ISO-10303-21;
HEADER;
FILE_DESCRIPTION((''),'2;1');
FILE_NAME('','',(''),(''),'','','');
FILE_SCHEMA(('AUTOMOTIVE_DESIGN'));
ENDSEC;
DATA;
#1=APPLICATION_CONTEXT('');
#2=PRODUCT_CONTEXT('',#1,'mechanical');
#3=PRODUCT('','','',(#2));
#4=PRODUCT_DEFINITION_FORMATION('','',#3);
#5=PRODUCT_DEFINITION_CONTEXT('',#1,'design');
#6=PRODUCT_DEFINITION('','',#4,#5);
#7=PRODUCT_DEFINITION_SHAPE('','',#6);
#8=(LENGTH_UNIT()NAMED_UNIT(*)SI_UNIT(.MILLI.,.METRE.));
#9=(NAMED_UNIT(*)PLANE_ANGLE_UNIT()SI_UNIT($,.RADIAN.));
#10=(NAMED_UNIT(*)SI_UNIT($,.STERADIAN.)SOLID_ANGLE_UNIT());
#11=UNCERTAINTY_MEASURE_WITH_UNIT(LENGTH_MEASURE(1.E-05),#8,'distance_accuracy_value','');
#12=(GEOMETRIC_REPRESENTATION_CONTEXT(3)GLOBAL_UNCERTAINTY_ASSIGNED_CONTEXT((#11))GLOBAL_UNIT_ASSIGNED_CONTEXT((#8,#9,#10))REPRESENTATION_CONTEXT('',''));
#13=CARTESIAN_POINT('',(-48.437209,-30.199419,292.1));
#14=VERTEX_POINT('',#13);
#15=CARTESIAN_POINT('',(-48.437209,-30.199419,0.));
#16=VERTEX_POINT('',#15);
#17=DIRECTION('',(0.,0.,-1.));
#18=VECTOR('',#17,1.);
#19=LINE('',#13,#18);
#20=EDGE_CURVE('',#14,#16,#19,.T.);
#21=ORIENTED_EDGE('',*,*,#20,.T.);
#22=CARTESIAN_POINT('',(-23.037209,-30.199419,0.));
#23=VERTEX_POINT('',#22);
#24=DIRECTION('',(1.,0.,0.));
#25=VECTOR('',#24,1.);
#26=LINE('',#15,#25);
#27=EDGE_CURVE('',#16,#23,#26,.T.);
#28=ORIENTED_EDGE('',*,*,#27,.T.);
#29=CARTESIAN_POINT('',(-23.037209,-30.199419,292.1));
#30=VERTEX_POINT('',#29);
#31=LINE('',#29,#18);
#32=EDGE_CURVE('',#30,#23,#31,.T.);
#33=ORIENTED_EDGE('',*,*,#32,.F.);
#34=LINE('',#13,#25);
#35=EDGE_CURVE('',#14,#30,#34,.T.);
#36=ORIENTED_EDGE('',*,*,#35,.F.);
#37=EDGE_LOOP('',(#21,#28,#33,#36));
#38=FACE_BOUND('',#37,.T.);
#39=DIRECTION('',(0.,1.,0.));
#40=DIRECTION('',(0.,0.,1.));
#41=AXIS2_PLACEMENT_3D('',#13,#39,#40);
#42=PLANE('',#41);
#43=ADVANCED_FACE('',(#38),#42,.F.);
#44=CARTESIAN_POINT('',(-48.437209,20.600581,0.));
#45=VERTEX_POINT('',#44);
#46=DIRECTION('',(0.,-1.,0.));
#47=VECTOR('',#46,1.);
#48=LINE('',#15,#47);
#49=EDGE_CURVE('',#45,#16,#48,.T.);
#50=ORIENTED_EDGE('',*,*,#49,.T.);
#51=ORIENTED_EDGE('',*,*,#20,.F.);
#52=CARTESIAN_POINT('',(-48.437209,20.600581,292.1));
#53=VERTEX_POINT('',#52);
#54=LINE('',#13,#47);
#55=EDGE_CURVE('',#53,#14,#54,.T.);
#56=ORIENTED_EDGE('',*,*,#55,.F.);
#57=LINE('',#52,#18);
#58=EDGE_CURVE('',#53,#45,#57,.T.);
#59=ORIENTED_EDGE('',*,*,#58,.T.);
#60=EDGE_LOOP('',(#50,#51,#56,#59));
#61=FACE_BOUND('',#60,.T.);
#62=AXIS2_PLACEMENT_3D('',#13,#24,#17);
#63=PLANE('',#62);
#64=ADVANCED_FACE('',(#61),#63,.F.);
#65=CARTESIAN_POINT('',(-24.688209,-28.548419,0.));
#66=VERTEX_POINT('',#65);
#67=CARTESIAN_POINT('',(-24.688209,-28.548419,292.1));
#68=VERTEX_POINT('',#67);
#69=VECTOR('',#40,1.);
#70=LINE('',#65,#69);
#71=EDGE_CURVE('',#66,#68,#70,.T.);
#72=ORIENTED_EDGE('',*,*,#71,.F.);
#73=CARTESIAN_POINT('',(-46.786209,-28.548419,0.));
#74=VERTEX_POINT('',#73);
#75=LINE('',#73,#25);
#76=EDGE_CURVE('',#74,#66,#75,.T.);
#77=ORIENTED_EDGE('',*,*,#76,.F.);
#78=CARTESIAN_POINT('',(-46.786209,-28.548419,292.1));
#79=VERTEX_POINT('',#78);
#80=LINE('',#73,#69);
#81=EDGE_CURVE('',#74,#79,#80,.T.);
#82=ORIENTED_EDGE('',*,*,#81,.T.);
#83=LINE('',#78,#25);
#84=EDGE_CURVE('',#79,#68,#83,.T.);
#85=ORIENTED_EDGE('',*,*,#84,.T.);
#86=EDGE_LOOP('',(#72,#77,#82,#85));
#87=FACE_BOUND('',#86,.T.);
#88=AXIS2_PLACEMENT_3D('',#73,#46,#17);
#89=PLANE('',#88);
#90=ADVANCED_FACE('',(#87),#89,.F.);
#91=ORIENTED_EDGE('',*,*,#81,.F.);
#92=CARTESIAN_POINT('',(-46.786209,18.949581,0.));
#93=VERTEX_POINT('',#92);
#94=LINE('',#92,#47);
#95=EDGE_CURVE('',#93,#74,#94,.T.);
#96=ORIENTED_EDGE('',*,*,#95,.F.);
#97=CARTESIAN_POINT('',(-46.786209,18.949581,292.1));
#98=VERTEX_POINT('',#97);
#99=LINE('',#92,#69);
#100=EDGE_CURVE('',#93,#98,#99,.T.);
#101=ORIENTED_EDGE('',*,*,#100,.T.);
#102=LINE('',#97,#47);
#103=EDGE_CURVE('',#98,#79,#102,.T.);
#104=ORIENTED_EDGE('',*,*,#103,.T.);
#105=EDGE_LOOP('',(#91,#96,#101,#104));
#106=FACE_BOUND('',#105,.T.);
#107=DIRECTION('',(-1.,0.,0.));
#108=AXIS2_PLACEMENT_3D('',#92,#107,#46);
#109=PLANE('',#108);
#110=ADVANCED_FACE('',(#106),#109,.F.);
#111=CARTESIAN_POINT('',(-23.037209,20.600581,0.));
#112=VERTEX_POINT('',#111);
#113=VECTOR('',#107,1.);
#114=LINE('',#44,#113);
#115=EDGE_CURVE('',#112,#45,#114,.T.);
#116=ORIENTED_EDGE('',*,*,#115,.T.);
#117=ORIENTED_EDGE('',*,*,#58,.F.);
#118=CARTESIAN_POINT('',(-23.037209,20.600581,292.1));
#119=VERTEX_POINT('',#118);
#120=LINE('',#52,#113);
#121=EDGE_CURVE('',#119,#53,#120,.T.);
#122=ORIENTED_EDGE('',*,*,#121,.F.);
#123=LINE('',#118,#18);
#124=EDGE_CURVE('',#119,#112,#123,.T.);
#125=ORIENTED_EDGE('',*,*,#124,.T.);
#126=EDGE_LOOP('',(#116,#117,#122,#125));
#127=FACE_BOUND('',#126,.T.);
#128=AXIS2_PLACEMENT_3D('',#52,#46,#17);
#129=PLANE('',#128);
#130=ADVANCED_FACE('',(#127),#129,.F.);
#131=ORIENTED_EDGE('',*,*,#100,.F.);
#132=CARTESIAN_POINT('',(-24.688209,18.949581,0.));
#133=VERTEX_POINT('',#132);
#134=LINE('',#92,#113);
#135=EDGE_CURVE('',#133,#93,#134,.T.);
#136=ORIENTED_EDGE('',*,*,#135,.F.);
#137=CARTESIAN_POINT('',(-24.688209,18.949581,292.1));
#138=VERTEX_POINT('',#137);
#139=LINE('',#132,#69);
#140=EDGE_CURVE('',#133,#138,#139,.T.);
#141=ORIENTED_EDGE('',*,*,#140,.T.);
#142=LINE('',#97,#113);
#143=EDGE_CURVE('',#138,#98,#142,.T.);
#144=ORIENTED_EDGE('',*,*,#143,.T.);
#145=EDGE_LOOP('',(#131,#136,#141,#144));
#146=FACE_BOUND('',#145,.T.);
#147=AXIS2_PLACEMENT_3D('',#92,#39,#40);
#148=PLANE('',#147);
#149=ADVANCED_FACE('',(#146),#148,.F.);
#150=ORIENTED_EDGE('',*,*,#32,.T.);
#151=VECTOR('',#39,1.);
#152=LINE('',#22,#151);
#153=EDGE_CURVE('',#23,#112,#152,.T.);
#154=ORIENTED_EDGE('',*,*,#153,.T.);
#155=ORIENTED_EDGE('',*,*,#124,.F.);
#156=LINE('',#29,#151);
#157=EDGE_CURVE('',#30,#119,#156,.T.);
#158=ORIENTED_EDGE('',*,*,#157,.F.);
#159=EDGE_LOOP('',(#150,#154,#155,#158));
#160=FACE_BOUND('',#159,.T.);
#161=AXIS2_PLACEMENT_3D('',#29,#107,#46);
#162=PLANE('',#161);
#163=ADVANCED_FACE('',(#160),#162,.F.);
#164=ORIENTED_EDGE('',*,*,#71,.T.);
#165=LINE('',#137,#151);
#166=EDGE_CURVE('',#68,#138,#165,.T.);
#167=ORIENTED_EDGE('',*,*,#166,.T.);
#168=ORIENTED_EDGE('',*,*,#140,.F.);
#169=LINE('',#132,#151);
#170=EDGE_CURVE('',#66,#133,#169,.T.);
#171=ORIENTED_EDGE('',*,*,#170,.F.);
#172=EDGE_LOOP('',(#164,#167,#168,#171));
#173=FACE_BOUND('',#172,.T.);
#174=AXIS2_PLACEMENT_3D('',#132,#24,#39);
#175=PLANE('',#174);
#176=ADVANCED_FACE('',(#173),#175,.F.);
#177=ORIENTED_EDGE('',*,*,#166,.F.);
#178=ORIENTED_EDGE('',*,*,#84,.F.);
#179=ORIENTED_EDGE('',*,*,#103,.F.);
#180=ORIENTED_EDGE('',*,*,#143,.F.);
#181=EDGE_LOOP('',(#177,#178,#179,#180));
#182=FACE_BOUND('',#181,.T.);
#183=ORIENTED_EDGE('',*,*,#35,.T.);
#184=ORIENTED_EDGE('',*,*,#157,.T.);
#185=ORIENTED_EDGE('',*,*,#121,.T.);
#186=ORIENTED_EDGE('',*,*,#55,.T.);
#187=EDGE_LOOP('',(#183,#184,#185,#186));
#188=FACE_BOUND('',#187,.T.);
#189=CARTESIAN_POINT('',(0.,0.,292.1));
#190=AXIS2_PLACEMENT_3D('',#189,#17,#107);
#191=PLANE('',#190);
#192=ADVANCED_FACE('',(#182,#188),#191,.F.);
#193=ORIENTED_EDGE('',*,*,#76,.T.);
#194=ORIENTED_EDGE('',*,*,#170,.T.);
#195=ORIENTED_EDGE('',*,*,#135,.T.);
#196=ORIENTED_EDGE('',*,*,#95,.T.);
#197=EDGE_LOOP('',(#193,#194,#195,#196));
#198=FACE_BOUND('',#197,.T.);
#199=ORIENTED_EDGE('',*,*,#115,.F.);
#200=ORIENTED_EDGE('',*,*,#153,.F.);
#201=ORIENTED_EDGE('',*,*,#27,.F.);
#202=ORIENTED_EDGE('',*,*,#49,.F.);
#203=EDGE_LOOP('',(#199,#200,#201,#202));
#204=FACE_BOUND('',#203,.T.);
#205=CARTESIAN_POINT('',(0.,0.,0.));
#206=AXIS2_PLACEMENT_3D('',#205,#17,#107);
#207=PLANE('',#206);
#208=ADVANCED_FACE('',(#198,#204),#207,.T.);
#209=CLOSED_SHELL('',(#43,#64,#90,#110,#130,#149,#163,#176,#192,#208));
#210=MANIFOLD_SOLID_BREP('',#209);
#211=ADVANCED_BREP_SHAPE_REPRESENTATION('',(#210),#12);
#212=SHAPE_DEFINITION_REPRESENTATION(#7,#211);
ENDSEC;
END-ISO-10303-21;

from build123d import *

# Parameters (mm, degrees)
SKETCH1_W           = 25.4
SKETCH1_H           = 50.8
BOSS_EXTRUDE1_DEPTH = 292.1
SKETCH2_W           = 22.098
SKETCH2_H           = 47.498
CUT_EXTRUDE1_DEPTH  = 298.624895009


with BuildPart() as part:
    # Sketch1 → Boss-Extrude1 (new body)
    with BuildSketch(Plane.XY):
        with Locations((-35.737209302, -4.799418605)):
            Rectangle(SKETCH1_W, SKETCH1_H)
    extrude(amount=BOSS_EXTRUDE1_DEPTH)

    # Sketch2 → Cut-Extrude1 (cut, through all)
    with BuildSketch(Plane.XY.offset(292.1)):
        with Locations((-35.737209302, -4.799418605)):
            Rectangle(SKETCH2_W, SKETCH2_H)
    extrude(amount=-CUT_EXTRUDE1_DEPTH, mode=Mode.SUBTRACT)


solid = part.part
